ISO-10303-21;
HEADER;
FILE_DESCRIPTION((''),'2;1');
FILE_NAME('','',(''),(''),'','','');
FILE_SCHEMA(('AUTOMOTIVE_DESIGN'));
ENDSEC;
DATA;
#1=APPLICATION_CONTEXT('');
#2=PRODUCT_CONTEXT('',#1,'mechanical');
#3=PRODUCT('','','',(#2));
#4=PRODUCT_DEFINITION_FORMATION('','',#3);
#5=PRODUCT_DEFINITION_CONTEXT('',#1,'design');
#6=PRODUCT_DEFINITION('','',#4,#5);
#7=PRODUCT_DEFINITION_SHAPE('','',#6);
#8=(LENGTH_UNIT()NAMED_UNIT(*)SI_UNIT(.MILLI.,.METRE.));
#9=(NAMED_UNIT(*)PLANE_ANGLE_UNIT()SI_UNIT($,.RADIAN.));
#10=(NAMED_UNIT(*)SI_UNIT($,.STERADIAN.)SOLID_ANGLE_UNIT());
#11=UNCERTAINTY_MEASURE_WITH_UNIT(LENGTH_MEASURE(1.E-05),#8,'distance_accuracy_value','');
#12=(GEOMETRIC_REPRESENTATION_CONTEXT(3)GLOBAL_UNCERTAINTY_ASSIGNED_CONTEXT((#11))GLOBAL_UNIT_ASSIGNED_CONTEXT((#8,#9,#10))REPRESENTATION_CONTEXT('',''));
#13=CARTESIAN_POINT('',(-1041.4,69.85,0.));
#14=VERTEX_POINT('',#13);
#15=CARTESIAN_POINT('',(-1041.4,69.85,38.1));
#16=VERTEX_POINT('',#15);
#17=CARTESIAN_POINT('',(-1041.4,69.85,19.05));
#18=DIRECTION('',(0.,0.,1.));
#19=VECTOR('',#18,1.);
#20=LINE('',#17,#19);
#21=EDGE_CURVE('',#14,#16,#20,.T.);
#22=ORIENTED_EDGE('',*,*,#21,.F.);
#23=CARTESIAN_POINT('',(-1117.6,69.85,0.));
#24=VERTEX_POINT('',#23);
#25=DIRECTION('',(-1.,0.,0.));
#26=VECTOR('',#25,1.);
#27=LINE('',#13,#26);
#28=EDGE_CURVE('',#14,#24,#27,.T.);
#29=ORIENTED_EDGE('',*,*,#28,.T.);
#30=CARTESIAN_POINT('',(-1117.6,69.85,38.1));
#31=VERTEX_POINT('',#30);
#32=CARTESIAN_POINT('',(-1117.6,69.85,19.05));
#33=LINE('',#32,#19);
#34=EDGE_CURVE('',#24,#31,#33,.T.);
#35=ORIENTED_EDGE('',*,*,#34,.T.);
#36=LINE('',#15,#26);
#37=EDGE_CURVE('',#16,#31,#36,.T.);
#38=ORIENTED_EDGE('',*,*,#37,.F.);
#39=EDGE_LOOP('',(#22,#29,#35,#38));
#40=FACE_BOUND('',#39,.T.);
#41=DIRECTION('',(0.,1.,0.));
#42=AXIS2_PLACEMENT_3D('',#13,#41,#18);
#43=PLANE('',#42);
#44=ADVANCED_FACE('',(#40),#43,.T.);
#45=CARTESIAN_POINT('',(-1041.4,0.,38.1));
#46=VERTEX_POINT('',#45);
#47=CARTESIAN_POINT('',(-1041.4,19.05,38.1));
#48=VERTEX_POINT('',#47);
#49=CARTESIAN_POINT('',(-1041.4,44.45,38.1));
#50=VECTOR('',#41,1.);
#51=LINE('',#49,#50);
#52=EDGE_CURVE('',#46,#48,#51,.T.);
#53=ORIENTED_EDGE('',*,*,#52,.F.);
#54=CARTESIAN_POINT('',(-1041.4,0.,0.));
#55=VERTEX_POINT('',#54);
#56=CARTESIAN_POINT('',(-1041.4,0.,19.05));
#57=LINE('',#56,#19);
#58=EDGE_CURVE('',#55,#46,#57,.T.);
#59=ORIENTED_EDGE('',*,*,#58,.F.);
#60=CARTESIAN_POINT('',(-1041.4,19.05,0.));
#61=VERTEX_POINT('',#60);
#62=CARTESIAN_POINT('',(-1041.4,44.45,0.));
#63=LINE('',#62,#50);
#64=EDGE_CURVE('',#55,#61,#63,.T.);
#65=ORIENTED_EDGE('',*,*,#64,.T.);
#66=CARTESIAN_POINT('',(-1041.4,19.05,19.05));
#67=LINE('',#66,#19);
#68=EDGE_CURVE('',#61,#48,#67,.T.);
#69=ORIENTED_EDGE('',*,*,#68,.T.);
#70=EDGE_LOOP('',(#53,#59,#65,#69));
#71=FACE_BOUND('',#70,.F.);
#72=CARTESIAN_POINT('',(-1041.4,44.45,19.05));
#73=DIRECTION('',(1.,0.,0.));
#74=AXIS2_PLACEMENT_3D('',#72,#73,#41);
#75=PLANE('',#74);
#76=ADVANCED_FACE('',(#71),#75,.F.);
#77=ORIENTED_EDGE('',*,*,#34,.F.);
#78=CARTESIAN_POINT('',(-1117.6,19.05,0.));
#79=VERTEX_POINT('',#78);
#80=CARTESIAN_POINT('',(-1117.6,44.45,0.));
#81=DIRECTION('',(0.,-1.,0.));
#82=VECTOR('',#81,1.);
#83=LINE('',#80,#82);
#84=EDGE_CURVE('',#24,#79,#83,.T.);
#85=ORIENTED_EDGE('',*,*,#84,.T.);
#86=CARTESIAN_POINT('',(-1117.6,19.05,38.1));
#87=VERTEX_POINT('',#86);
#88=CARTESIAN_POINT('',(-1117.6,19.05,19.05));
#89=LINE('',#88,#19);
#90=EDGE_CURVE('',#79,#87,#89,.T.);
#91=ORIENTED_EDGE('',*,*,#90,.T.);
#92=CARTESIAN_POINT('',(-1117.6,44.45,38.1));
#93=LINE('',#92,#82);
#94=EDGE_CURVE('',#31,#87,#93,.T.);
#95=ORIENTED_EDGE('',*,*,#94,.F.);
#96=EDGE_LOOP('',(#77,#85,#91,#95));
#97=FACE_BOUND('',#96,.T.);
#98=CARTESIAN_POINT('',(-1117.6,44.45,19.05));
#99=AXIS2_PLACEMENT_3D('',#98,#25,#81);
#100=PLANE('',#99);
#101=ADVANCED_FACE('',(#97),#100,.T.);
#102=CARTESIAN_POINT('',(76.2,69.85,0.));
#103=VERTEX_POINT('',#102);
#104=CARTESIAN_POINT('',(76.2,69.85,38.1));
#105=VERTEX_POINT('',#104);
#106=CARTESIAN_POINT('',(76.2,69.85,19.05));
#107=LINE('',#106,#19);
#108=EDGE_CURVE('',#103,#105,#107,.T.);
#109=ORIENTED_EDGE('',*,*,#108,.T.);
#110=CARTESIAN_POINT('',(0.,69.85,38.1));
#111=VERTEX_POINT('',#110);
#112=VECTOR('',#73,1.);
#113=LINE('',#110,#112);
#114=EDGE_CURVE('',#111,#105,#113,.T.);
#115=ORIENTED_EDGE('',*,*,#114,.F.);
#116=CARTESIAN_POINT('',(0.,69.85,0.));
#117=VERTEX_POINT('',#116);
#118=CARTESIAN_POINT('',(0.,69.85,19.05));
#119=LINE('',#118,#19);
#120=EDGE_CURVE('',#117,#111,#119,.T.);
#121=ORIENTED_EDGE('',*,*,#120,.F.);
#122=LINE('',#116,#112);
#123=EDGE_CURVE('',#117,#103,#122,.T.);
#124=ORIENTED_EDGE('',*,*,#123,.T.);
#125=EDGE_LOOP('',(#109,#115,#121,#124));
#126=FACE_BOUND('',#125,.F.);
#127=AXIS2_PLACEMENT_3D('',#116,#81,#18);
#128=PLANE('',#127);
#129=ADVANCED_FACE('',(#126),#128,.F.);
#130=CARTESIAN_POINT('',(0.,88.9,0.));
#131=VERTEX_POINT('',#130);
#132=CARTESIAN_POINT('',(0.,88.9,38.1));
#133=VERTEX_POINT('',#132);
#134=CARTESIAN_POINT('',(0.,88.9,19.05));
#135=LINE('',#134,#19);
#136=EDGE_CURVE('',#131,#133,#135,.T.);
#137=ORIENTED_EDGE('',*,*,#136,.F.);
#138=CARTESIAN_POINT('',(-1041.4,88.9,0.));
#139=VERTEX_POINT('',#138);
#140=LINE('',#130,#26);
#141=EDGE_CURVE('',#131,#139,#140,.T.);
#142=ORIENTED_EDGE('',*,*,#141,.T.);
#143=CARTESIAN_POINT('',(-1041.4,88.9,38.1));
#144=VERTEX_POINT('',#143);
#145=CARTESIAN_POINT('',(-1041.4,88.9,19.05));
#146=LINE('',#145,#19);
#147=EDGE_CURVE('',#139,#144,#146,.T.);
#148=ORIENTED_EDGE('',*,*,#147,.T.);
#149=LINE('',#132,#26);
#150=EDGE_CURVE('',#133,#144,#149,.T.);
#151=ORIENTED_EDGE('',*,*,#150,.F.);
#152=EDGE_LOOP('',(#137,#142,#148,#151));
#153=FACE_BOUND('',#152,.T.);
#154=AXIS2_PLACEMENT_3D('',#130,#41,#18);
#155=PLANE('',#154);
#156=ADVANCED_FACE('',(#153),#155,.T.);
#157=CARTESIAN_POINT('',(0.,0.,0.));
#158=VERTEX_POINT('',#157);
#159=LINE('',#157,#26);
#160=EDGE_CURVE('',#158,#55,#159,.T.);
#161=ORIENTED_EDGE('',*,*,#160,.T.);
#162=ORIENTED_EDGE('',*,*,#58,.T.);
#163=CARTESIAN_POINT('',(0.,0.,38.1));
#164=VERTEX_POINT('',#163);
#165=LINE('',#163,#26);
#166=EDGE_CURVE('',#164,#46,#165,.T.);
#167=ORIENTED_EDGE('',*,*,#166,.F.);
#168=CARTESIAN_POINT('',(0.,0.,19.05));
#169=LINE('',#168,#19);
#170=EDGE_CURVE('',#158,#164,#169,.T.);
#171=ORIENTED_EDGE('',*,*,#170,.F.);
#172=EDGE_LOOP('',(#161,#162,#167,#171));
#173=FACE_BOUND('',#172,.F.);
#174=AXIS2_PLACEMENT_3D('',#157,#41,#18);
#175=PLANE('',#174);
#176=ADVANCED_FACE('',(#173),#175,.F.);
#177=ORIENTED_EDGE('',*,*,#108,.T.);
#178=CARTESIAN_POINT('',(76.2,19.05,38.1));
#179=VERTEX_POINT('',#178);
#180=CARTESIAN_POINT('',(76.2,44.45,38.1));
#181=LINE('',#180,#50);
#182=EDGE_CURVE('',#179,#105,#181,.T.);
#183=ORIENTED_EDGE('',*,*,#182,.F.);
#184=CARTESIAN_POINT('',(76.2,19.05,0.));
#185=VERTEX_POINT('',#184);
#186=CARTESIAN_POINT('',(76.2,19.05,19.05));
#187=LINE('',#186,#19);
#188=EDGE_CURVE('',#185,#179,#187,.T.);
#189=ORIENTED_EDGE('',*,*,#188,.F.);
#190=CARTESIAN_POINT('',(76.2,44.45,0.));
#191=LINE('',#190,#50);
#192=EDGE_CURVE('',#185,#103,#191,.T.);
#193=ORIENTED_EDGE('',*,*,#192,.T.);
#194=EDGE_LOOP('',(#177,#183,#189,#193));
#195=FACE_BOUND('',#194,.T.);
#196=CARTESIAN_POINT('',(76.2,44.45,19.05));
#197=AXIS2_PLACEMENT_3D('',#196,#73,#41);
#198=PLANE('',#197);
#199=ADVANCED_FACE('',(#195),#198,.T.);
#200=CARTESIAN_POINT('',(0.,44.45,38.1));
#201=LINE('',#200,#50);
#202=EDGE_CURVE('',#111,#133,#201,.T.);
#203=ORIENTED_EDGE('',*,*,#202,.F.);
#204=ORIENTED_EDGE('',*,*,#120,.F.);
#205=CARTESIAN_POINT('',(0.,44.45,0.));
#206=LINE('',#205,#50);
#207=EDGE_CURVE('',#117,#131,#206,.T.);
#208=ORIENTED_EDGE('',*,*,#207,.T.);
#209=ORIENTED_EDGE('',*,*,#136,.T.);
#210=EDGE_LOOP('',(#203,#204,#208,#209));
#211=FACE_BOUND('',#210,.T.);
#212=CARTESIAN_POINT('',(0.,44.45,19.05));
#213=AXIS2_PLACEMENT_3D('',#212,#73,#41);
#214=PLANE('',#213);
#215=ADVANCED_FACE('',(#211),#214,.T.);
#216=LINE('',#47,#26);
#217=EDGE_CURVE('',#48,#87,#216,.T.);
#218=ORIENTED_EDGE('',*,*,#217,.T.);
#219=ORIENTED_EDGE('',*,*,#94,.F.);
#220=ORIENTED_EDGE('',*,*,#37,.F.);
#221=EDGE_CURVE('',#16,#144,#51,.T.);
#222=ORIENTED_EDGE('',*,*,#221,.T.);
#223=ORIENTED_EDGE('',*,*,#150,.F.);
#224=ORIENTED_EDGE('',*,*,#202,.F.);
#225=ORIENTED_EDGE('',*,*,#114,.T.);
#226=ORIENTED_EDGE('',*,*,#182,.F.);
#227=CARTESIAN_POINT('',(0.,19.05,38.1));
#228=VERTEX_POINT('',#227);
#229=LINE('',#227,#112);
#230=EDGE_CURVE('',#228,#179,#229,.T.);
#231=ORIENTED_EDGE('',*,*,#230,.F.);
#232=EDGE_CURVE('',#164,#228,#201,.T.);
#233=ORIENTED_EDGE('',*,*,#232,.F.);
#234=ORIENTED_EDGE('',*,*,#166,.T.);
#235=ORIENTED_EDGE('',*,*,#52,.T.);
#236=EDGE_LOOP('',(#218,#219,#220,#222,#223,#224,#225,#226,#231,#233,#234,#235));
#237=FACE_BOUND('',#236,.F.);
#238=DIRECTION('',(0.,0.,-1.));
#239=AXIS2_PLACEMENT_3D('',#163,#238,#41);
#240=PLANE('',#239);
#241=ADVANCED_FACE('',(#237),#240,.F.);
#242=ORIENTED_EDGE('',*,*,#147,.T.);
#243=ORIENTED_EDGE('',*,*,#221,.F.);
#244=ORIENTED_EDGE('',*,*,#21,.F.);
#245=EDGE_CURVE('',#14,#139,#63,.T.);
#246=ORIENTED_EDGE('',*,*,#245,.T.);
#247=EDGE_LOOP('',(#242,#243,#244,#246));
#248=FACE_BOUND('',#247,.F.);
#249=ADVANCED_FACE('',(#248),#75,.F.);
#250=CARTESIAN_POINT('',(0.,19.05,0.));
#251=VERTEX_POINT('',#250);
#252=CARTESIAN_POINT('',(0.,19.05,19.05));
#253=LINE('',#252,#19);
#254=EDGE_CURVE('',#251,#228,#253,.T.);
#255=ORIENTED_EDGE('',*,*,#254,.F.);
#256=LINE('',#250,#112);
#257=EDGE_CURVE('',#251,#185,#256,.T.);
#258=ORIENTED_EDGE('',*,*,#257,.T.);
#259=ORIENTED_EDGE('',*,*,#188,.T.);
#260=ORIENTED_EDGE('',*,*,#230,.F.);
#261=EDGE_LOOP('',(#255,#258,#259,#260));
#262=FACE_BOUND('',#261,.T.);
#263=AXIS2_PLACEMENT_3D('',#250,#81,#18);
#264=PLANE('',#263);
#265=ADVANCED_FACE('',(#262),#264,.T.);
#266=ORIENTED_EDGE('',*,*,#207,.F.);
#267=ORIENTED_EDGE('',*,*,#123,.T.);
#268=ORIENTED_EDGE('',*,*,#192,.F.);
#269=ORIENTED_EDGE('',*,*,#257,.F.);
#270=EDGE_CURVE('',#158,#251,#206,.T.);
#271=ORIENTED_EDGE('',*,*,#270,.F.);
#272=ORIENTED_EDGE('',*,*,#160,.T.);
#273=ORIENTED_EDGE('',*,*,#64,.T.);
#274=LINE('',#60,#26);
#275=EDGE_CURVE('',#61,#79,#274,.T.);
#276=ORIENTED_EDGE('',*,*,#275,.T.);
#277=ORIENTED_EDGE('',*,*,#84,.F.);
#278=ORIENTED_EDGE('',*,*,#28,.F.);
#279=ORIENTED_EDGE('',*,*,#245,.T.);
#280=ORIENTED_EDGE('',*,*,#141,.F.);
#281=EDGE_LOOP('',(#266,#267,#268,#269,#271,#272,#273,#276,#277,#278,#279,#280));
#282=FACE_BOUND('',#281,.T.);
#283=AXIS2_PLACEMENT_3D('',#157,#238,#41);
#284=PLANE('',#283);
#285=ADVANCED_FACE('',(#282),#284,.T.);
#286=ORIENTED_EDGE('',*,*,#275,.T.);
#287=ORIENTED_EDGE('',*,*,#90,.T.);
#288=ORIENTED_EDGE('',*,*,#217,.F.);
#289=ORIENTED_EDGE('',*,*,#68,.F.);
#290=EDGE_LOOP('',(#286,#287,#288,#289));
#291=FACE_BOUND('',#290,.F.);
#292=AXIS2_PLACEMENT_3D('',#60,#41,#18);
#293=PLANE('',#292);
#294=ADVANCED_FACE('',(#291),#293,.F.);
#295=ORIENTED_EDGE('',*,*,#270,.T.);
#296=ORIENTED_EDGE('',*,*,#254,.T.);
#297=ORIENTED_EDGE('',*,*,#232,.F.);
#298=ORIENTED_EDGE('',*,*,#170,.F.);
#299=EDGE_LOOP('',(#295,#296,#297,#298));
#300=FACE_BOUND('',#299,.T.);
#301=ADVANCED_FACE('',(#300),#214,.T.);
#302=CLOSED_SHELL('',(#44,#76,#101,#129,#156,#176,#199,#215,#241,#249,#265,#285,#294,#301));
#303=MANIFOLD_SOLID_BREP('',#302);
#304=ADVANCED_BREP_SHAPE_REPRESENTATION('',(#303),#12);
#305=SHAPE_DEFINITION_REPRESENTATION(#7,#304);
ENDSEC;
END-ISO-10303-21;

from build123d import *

# Parameters (mm, degrees)
F0_W     = 88.9
F0_H     = 38.1
F1_DEPTH = 1041.4
F2_W     = 50.8
F2_H     = 38.1
F3_DEPTH = 76.2
F4_W     = 50.8
F4_H     = 38.1
F5_DEPTH = 76.2


with BuildPart() as f1:
    # F0 (on Right) → F1 (new body)
    with BuildSketch(Plane.YZ):
        with Locations((44.45, 19.05)):
            Rectangle(F0_W, F0_H)
    extrude(amount=-F1_DEPTH)

    # F2 (on face) → F3 (join)
    with BuildSketch(Plane.YZ):
        with Locations((44.45, 19.05)):
            Rectangle(F2_W, F2_H)
    extrude(amount=F3_DEPTH)

    # F4 (on face) → F5 (join)
    with BuildSketch(Plane(origin=(-1041.4, 0, 0), x_dir=(0, -1, 0), z_dir=(-1, 0, 0))):
        with Locations((-44.45, 19.05)):
            Rectangle(F4_W, F4_H)
    extrude(amount=F5_DEPTH)


solid = f1.part
